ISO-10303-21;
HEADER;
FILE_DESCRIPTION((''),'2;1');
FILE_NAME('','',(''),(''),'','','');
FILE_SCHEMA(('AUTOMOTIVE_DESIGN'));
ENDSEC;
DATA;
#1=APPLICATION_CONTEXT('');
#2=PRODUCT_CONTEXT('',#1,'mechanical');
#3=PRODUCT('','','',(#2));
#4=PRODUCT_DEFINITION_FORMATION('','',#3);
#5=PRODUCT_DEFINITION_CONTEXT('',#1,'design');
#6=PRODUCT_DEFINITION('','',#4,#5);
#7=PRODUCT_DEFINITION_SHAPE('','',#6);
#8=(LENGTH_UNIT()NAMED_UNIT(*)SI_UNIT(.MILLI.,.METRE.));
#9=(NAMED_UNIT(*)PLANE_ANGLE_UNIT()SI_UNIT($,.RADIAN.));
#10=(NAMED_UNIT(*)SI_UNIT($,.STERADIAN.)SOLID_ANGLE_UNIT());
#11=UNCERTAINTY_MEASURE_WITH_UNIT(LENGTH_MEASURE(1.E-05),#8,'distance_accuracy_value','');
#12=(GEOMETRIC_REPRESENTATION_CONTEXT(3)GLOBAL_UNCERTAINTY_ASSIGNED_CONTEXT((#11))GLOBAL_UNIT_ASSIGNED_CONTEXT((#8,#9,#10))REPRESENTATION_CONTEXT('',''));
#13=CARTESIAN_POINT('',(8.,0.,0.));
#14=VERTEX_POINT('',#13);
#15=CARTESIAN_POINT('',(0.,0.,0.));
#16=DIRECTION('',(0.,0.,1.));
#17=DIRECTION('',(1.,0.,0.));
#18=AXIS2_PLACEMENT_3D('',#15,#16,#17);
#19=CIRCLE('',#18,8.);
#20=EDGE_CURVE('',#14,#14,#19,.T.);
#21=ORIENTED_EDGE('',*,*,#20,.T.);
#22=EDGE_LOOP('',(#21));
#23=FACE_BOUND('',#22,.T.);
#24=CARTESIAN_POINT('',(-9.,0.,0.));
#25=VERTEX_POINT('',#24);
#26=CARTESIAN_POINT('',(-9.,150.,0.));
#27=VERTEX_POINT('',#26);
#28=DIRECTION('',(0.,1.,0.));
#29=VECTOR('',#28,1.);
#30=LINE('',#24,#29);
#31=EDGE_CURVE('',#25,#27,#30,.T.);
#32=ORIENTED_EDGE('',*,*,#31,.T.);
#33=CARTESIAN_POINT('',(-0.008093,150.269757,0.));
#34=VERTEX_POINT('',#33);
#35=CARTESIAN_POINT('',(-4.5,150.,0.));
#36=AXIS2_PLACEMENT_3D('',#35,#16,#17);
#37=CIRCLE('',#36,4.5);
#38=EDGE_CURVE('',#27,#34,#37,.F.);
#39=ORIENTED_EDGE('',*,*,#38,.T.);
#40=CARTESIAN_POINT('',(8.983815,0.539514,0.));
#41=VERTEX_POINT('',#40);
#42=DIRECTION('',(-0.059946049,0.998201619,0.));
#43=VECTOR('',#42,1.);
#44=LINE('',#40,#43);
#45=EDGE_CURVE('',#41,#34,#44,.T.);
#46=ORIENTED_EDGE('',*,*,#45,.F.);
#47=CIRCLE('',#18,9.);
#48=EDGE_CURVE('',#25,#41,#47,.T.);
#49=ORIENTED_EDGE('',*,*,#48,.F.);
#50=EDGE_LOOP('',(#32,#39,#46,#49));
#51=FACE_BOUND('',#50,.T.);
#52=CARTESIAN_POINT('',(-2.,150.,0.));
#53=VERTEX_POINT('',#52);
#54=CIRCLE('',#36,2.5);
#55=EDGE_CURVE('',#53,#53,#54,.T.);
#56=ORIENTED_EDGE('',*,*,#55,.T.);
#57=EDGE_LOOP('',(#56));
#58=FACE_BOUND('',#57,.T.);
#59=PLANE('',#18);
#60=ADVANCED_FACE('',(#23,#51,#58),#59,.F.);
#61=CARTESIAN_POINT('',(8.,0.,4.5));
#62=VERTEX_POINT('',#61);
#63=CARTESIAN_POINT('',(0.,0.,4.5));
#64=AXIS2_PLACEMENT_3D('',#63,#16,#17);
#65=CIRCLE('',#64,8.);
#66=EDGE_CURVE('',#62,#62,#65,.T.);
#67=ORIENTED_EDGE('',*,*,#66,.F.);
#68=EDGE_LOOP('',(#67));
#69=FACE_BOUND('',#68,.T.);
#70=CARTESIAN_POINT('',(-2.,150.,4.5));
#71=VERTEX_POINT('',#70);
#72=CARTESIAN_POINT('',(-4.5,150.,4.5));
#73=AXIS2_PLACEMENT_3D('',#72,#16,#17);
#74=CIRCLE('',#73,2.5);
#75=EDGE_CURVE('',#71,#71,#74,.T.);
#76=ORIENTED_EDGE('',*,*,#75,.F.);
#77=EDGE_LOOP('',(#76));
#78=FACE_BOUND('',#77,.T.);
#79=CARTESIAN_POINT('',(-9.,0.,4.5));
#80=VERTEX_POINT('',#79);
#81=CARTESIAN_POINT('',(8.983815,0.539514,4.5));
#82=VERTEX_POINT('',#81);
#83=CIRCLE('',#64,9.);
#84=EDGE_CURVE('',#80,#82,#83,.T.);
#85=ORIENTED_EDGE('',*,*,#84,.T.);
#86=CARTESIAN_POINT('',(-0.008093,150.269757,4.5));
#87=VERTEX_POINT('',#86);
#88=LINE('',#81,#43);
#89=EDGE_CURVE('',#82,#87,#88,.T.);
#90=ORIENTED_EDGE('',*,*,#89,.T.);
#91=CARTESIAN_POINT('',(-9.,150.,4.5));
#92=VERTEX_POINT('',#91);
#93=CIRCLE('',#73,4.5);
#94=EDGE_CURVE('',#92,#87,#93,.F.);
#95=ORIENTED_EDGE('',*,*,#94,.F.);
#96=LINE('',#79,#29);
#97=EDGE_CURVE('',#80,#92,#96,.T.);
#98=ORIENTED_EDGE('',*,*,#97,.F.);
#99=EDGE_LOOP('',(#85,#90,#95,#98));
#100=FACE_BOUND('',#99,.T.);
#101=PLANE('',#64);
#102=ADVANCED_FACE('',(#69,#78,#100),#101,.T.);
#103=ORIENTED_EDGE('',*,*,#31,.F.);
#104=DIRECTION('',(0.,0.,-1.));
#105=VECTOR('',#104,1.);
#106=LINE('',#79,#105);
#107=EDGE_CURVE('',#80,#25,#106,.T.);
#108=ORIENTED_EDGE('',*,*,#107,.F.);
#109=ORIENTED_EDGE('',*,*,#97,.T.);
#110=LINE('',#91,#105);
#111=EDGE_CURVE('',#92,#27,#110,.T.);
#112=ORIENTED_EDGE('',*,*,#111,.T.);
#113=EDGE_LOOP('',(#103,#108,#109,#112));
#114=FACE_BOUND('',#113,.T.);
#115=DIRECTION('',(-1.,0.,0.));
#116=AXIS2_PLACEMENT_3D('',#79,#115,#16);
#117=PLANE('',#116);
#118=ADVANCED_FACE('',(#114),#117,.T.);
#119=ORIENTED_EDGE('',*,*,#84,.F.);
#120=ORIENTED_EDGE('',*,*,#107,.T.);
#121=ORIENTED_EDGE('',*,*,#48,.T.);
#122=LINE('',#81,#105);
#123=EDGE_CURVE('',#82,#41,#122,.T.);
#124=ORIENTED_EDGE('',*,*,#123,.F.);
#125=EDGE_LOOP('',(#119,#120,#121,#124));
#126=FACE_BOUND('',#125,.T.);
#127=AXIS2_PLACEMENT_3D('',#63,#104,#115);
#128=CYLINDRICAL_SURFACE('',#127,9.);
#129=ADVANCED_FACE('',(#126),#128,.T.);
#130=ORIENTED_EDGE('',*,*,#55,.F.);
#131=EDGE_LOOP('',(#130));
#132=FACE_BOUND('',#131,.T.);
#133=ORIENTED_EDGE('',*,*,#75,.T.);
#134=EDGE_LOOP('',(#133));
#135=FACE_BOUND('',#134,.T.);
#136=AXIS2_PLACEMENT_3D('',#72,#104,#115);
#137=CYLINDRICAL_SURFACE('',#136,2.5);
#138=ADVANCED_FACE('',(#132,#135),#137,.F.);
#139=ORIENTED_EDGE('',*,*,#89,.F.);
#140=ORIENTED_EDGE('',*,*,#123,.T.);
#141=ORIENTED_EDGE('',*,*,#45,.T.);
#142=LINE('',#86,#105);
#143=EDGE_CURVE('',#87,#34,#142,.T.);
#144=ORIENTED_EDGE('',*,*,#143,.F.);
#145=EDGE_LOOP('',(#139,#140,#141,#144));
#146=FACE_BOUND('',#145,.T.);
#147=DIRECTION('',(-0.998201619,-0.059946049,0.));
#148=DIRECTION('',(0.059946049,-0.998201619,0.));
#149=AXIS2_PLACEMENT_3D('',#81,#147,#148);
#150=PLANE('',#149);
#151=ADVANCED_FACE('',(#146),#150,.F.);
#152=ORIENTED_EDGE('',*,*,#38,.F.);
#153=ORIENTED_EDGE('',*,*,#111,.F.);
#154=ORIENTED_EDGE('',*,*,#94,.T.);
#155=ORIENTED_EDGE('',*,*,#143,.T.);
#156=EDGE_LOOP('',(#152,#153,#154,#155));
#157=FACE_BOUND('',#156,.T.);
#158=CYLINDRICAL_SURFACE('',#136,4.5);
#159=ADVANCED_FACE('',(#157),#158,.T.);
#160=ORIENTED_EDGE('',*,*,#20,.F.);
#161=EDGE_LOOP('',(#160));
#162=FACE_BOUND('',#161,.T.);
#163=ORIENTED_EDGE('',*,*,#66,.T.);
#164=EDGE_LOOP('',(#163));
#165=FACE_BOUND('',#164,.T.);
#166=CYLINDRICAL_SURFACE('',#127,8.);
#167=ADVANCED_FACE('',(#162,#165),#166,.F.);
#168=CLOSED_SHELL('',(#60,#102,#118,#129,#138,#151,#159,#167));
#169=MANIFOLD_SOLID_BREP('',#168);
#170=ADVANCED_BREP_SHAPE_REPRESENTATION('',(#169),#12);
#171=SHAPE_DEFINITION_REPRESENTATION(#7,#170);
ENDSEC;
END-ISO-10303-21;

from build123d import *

# Parameters (mm, degrees)
SKETCH_1_R      = 2.5
SKETCH_1_R_2    = 8
EXTRUDE_1_DEPTH = 4.5


with BuildPart() as part:
    # 스케치1 → 보스-돌출1 (new body)
    with BuildSketch(Plane.XY):
        with BuildLine():
            Line((-9, 150), (-9, 0))
            ThreePointArc((-9, 0), (0.269878582, -8.995952732), (8.983814567, 0.539514437))
            Line((8.983814567, 0.539514437), (-0.008092717, 150.269757219))
            ThreePointArc((-0.008092717, 150.269757219), (-4.634939291, 154.497976366), (-9, 150))
        make_face()
        with Locations((-4.5, 150)):
            Circle(SKETCH_1_R, mode=Mode.SUBTRACT)
        Circle(SKETCH_1_R_2, mode=Mode.SUBTRACT)
    extrude(amount=EXTRUDE_1_DEPTH)


solid = part.part
